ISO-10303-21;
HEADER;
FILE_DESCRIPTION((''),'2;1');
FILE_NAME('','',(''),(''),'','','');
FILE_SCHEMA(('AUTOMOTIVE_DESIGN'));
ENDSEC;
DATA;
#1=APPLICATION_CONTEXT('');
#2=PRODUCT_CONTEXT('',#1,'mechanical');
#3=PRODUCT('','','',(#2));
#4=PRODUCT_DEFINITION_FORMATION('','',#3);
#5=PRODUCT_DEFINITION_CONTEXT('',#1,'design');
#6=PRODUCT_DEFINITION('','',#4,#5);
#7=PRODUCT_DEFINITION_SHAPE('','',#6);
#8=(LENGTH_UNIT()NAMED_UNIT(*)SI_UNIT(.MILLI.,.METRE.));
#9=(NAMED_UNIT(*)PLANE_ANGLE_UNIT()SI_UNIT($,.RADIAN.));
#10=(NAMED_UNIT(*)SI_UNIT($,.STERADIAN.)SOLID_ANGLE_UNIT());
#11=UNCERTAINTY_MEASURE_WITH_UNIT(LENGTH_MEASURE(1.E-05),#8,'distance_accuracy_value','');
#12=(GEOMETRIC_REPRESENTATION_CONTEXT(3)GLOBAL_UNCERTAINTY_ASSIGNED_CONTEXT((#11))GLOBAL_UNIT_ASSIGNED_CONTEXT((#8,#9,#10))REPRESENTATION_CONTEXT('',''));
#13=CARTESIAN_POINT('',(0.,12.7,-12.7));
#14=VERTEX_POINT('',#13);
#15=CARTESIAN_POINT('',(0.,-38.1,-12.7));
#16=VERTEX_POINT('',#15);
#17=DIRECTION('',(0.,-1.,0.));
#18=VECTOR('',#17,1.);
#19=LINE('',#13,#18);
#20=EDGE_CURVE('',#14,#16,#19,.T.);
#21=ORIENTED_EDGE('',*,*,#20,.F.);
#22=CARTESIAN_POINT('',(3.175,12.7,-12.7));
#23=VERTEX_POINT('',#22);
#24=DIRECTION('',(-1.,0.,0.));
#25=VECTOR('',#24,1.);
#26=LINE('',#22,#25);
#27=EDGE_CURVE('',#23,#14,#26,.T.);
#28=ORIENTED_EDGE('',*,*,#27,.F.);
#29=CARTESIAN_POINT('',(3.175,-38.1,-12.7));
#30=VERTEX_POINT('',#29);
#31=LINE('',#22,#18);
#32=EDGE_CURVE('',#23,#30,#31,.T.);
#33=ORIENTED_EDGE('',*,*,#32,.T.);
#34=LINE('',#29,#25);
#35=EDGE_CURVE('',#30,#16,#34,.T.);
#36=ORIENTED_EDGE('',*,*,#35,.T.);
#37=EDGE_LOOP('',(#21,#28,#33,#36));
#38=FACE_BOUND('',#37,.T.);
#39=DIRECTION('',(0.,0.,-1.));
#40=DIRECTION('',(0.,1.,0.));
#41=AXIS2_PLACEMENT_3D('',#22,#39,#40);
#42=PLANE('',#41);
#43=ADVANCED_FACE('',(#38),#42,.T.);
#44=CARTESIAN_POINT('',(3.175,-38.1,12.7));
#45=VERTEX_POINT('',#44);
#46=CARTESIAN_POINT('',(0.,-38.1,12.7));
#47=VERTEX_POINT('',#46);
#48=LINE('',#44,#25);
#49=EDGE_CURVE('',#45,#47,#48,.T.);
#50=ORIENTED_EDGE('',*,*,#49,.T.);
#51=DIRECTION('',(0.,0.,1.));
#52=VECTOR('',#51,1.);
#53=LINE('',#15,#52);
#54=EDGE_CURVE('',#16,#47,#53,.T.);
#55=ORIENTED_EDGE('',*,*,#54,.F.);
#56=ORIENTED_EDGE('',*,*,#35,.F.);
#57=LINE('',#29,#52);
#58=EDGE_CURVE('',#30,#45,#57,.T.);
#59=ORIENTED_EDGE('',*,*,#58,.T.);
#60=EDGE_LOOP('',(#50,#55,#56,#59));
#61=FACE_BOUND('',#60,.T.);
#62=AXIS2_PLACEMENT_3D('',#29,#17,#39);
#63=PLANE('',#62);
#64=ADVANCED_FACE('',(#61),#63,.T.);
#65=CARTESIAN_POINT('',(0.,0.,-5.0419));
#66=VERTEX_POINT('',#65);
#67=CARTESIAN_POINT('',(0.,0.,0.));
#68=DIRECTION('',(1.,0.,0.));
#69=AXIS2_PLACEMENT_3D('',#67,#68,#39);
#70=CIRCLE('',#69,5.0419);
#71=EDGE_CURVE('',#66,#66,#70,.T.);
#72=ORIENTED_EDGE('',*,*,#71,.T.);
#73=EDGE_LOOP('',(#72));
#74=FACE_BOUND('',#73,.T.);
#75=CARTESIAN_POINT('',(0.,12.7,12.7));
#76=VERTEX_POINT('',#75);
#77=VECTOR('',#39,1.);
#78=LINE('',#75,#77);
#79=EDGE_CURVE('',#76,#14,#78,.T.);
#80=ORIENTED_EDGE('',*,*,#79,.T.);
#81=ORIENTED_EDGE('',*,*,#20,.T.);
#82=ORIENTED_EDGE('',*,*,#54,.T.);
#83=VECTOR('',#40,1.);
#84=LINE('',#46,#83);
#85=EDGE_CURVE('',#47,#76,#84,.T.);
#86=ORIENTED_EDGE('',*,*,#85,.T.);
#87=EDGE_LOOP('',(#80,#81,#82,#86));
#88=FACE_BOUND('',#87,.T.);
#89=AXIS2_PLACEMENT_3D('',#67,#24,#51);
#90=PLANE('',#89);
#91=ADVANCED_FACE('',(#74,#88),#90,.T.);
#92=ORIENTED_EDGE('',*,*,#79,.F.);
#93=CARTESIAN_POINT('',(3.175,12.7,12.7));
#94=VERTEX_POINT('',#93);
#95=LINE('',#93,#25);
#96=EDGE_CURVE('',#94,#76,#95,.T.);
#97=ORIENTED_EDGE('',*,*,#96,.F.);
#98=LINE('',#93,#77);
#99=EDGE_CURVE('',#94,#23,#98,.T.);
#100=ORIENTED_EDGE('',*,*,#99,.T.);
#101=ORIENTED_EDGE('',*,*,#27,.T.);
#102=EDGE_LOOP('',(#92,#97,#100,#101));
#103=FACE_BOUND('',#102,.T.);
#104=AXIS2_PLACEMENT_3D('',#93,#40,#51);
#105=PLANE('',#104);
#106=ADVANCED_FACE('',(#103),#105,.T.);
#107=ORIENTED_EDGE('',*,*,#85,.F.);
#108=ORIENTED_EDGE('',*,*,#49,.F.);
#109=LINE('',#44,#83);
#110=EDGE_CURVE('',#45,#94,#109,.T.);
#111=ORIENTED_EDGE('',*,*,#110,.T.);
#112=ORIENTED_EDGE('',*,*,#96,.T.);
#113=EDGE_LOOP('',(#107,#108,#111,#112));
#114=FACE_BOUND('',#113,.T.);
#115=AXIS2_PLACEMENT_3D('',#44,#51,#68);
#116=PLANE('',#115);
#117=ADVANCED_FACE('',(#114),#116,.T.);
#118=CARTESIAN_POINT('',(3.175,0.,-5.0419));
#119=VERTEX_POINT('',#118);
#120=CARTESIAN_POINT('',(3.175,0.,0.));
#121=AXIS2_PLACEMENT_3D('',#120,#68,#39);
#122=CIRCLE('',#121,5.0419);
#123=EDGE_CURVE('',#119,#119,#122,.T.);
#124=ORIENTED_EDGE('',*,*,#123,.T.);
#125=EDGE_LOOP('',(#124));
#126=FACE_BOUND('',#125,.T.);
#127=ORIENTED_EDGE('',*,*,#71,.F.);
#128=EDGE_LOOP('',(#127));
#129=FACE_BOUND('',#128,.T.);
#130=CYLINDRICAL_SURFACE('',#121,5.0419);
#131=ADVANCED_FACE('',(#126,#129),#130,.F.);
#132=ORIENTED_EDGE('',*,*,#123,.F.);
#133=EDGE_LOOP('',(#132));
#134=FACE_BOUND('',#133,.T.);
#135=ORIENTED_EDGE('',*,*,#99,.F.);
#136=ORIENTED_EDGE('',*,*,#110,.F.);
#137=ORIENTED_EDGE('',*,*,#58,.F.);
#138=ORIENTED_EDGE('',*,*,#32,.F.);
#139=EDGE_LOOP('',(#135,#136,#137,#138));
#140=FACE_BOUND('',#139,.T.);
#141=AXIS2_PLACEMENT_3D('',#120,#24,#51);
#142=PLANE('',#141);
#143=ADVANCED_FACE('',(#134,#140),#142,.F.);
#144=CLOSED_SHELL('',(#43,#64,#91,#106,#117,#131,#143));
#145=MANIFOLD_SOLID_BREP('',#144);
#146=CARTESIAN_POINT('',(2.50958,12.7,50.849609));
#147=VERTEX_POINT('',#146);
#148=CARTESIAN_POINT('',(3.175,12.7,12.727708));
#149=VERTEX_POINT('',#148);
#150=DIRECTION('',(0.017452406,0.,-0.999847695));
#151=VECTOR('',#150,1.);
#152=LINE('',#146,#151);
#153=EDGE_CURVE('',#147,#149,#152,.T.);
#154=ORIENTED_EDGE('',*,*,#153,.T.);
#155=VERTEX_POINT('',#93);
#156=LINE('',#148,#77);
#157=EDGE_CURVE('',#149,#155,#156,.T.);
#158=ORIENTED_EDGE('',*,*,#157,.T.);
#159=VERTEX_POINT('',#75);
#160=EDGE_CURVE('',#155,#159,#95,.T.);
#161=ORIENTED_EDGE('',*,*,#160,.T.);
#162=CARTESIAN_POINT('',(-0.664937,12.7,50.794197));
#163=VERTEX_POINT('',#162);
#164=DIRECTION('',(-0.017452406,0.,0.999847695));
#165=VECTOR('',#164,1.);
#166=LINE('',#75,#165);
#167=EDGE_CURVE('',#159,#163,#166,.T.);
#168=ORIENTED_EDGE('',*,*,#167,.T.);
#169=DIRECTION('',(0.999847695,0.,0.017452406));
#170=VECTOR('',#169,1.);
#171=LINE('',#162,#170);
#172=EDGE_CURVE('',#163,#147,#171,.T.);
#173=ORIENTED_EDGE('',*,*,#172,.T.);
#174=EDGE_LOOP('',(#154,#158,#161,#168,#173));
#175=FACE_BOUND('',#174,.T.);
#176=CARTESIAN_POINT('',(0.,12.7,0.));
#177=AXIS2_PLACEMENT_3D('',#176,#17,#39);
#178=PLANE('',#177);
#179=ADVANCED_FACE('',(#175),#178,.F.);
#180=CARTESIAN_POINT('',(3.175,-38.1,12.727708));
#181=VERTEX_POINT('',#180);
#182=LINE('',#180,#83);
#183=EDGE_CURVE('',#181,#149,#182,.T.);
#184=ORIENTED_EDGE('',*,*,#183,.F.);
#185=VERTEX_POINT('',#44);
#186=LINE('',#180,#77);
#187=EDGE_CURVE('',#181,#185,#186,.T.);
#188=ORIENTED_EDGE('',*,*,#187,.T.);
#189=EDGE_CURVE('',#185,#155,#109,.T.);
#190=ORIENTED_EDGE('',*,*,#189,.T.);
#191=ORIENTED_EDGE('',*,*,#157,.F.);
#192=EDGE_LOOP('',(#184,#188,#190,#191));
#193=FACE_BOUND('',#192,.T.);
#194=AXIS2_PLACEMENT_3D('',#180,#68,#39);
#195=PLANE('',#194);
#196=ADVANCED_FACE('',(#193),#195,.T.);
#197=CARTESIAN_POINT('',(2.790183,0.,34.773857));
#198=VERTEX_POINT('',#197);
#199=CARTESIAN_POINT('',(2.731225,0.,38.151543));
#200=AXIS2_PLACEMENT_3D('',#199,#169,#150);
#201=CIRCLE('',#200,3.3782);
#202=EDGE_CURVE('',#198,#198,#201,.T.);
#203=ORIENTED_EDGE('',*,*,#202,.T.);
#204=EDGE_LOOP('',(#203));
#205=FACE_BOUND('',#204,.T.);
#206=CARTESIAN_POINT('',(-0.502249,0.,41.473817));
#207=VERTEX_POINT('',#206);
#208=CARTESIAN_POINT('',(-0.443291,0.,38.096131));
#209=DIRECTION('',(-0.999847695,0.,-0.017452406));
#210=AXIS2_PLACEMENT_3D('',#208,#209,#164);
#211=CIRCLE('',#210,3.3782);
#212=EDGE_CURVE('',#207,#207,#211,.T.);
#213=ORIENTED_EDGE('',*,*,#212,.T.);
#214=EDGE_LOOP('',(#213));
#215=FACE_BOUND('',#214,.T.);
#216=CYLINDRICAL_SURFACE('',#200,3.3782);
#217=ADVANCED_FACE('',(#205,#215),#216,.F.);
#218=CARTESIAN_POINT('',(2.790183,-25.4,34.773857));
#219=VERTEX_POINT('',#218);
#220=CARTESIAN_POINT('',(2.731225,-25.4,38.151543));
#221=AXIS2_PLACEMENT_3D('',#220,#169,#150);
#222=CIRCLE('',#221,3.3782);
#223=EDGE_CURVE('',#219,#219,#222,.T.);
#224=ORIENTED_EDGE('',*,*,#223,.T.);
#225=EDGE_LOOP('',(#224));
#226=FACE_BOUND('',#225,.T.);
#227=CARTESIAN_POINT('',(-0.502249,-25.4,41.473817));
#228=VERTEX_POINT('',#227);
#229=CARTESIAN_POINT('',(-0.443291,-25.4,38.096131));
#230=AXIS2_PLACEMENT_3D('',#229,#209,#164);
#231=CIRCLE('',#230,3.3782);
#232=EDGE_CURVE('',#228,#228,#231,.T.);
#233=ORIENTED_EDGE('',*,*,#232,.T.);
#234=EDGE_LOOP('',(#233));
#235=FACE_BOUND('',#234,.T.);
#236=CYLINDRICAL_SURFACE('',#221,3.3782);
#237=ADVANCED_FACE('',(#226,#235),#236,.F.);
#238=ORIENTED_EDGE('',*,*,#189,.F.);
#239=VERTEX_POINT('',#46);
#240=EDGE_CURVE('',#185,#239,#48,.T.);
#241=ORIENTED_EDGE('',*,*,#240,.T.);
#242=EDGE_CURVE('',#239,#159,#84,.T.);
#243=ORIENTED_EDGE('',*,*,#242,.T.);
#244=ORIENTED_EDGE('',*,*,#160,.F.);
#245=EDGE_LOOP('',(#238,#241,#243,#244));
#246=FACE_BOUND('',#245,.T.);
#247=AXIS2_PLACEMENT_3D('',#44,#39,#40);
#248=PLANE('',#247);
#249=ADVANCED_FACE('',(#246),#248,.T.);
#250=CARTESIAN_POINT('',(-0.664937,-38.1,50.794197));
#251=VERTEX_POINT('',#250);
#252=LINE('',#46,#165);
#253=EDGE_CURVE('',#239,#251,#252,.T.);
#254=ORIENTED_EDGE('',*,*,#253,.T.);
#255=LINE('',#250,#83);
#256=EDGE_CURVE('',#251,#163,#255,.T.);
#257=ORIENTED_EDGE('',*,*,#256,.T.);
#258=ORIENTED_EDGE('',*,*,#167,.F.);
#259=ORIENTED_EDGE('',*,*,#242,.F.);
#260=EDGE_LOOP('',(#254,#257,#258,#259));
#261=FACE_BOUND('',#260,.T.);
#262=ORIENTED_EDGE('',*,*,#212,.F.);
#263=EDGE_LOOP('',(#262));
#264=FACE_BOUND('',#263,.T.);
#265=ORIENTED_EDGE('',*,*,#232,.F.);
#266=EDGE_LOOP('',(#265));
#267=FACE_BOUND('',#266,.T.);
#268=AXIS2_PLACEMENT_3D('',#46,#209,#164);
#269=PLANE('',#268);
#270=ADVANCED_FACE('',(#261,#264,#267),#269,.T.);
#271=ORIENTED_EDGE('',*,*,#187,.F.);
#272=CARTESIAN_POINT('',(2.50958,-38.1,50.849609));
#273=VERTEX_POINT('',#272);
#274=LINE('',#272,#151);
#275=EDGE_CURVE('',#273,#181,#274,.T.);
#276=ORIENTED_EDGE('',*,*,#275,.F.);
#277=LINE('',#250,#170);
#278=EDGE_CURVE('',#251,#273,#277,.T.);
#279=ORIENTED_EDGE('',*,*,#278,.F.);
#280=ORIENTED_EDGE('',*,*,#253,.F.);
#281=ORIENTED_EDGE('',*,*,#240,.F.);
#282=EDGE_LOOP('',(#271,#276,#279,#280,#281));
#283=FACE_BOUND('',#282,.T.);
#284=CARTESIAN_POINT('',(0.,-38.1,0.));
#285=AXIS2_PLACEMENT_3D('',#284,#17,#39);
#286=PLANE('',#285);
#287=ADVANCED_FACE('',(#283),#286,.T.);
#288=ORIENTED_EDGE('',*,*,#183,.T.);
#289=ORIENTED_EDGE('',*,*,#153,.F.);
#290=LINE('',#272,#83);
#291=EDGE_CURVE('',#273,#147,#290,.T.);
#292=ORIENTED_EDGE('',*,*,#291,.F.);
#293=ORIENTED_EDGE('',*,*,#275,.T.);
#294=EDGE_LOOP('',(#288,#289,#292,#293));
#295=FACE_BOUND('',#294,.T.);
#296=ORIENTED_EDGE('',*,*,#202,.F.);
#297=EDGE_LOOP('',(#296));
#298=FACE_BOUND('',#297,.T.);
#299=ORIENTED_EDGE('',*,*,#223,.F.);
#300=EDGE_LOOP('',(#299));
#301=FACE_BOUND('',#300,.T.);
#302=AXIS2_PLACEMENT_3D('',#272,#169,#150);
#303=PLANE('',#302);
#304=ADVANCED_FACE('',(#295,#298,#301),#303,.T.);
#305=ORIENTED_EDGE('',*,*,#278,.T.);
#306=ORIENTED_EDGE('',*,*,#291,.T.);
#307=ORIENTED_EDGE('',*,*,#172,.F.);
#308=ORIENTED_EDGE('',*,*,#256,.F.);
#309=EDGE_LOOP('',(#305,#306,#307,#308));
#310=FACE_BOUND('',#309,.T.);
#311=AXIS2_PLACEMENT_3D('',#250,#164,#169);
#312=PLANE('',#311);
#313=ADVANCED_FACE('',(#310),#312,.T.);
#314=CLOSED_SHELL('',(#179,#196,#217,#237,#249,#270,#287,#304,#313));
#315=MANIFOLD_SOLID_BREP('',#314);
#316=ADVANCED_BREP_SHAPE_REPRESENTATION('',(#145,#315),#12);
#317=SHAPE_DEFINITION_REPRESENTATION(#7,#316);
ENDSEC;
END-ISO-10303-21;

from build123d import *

# Parameters (mm, degrees)
SKETCH1_W                        = 25.4
SKETCH1_H                        = 50.8
BOSS_EXTRUDE1_DEPTH              = 3.175
F_3_8_CLEARANCE_HOLE1_D          = 10.0838
BOSS_EXTRUDE2_DEPTH              = 50.8
SKETCH5_W                        = 3.3782
SKETCH5_H                        = 3.839835412
F_1_4_CLEARANCE_HOLE1_AT_2_COUNT = 2
F_1_4_CLEARANCE_HOLE1_AT_2_PITCH = 25.4


with BuildPart() as part:
    # Sketch1 → Boss-Extrude1 (new body)
    with BuildSketch(Plane(origin=(0, 0, 0), x_dir=(0, 0, -1), z_dir=(1, 0, 0))):
        with Locations((0, -12.7)):
            Rectangle(SKETCH1_W, SKETCH1_H)
    extrude(amount=BOSS_EXTRUDE1_DEPTH)

    # 3/8 Clearance Hole1 (through all)
    with Locations(Plane(origin=(3.175, 0, 0), x_dir=(0, 0, -1), z_dir=(1, 0, 0))):
        with Locations((0, 0)):
            Hole(F_3_8_CLEARANCE_HOLE1_D / 2)


with BuildPart() as body_2:
    # Sketch6 → Boss-Extrude2 (new body)
    with BuildSketch(Plane(origin=(0, 12.7, 0), x_dir=(1, 0, 0), z_dir=(0, 1, 0))):
        Polygon((0, -12.7), (-0.664936685, -50.794197185), (2.509579747, -50.849608576), (3.175, -12.727707805), (3.175, -12.7), align=None)
    extrude(amount=-BOSS_EXTRUDE2_DEPTH)

    # Sketch5 → 1/4 Clearance Hole1 (revolve, cut)
    with BuildSketch(Plane(origin=(2.731225309, 0, 38.151542847), x_dir=(0.017452406, 0, -0.999847695), z_dir=(0, 1, 0))):
        with Locations((1.6891, 1.919917706)):
            Rectangle(SKETCH5_W, SKETCH5_H)
    f_1_4_clearance_hole1 = revolve(axis=Axis((9.080258173, 0, 38.262365628), (-0.999847695, 0, -0.017452406)), mode=Mode.SUBTRACT)

    # 1/4 Clearance Hole1 at 2: 1/4 Clearance Hole1 ×2
    with Locations(*[(0, -i * F_1_4_CLEARANCE_HOLE1_AT_2_PITCH, 0) for i in range(1, F_1_4_CLEARANCE_HOLE1_AT_2_COUNT)]):
        add(f_1_4_clearance_hole1, mode=Mode.SUBTRACT)


solid = Compound([part.part, body_2.part])
